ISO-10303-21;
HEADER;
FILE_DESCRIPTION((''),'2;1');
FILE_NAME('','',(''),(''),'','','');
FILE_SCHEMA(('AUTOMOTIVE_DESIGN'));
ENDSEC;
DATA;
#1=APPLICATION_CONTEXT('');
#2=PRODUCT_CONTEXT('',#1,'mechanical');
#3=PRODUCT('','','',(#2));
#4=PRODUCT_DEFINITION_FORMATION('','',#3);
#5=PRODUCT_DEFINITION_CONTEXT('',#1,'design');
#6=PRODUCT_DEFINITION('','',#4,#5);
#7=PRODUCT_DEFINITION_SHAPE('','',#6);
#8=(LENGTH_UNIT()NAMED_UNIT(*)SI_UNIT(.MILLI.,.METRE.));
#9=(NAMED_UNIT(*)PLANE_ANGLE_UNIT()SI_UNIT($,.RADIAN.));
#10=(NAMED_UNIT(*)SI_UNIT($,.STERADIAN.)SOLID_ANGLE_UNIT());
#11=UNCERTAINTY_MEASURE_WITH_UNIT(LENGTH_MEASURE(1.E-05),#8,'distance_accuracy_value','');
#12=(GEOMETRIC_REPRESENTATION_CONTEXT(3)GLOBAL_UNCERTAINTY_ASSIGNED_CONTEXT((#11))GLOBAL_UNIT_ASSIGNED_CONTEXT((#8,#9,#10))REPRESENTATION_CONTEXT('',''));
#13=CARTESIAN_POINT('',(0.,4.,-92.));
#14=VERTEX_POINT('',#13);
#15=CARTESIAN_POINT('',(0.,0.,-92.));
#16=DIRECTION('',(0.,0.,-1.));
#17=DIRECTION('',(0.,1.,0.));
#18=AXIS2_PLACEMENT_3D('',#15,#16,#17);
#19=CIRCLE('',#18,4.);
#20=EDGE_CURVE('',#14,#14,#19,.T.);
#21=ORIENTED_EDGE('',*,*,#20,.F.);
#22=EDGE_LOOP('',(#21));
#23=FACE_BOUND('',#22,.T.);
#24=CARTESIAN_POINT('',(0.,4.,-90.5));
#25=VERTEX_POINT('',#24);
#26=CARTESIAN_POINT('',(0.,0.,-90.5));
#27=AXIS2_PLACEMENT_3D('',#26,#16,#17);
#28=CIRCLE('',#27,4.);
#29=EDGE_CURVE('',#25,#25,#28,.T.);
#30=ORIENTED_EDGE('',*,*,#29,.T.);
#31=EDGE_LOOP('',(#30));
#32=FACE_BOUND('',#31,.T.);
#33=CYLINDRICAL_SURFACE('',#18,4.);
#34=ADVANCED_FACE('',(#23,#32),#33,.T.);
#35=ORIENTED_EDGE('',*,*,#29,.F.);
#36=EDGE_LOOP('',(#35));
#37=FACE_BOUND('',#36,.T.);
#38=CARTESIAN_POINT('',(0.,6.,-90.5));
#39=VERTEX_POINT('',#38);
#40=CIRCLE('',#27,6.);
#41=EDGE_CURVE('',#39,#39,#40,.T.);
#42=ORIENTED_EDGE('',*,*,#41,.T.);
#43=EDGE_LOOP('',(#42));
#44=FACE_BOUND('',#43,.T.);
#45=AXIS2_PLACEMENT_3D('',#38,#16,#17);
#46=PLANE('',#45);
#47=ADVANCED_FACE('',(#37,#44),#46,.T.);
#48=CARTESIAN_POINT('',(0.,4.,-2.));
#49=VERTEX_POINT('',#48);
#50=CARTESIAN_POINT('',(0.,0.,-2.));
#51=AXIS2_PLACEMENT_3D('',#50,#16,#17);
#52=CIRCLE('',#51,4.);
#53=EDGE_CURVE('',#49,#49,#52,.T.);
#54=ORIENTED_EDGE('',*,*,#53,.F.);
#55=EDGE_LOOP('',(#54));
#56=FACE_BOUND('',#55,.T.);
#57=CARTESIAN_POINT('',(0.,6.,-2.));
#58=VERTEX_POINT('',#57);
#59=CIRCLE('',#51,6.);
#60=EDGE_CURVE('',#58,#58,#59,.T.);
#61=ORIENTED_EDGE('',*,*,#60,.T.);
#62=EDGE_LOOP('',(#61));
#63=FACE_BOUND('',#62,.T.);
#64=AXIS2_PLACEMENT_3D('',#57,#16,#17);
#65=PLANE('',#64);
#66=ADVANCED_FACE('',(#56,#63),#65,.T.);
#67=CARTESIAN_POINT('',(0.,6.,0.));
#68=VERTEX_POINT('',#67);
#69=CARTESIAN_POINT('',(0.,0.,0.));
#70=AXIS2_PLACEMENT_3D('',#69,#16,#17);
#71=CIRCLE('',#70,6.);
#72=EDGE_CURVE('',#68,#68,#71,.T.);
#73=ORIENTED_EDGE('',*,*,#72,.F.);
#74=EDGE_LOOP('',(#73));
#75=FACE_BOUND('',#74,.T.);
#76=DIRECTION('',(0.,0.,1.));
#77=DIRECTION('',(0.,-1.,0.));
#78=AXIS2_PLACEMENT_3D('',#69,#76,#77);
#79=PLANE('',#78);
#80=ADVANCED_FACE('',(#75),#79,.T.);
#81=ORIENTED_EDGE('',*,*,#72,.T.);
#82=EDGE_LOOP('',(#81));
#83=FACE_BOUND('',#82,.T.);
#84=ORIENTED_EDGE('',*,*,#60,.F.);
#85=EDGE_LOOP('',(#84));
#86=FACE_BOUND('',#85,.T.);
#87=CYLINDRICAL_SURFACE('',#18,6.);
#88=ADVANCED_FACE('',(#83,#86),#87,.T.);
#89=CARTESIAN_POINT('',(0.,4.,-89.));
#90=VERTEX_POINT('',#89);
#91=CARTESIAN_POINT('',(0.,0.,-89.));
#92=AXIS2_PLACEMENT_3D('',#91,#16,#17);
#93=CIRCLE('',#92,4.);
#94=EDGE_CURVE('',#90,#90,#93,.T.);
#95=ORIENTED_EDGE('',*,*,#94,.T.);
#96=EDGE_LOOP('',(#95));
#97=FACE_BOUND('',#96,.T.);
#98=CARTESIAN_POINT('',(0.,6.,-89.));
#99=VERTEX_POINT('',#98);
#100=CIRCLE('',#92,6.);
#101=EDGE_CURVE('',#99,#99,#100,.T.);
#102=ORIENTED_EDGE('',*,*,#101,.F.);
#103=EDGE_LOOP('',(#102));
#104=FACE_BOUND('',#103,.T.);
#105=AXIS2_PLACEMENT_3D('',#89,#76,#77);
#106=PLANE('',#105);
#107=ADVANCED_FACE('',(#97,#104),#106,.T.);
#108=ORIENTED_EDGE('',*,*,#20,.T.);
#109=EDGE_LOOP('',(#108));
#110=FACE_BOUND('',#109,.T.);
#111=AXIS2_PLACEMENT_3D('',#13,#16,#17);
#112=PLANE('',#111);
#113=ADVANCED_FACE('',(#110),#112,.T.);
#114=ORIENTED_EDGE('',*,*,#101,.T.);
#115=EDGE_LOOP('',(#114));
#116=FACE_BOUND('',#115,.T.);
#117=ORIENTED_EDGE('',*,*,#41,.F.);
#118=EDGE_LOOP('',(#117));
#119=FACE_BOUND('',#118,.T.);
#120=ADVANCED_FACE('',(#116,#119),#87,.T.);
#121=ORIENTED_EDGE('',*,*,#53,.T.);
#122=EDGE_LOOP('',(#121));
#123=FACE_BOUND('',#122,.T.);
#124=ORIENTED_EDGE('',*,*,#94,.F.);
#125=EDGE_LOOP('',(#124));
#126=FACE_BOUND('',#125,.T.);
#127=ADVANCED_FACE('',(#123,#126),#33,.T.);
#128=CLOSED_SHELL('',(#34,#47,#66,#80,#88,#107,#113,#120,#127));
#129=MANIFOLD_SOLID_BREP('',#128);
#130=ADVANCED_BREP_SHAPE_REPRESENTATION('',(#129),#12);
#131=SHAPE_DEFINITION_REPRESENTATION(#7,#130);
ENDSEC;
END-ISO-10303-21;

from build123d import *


with BuildPart() as part:
    # Sketch1 → Revolve1 (revolve)
    with BuildSketch(Plane(origin=(0, 0, 0), x_dir=(0, 0, -1), z_dir=(1, 0, 0))):
        Polygon((0, 0), (0, 6), (2, 6), (2, 4), (89, 4), (89, 6), (90.5, 6), (90.5, 4), (92, 4), (92, 0), align=None)
    revolve(axis=Axis((0, 0, -92), (0, 0, 1)))


solid = part.part
